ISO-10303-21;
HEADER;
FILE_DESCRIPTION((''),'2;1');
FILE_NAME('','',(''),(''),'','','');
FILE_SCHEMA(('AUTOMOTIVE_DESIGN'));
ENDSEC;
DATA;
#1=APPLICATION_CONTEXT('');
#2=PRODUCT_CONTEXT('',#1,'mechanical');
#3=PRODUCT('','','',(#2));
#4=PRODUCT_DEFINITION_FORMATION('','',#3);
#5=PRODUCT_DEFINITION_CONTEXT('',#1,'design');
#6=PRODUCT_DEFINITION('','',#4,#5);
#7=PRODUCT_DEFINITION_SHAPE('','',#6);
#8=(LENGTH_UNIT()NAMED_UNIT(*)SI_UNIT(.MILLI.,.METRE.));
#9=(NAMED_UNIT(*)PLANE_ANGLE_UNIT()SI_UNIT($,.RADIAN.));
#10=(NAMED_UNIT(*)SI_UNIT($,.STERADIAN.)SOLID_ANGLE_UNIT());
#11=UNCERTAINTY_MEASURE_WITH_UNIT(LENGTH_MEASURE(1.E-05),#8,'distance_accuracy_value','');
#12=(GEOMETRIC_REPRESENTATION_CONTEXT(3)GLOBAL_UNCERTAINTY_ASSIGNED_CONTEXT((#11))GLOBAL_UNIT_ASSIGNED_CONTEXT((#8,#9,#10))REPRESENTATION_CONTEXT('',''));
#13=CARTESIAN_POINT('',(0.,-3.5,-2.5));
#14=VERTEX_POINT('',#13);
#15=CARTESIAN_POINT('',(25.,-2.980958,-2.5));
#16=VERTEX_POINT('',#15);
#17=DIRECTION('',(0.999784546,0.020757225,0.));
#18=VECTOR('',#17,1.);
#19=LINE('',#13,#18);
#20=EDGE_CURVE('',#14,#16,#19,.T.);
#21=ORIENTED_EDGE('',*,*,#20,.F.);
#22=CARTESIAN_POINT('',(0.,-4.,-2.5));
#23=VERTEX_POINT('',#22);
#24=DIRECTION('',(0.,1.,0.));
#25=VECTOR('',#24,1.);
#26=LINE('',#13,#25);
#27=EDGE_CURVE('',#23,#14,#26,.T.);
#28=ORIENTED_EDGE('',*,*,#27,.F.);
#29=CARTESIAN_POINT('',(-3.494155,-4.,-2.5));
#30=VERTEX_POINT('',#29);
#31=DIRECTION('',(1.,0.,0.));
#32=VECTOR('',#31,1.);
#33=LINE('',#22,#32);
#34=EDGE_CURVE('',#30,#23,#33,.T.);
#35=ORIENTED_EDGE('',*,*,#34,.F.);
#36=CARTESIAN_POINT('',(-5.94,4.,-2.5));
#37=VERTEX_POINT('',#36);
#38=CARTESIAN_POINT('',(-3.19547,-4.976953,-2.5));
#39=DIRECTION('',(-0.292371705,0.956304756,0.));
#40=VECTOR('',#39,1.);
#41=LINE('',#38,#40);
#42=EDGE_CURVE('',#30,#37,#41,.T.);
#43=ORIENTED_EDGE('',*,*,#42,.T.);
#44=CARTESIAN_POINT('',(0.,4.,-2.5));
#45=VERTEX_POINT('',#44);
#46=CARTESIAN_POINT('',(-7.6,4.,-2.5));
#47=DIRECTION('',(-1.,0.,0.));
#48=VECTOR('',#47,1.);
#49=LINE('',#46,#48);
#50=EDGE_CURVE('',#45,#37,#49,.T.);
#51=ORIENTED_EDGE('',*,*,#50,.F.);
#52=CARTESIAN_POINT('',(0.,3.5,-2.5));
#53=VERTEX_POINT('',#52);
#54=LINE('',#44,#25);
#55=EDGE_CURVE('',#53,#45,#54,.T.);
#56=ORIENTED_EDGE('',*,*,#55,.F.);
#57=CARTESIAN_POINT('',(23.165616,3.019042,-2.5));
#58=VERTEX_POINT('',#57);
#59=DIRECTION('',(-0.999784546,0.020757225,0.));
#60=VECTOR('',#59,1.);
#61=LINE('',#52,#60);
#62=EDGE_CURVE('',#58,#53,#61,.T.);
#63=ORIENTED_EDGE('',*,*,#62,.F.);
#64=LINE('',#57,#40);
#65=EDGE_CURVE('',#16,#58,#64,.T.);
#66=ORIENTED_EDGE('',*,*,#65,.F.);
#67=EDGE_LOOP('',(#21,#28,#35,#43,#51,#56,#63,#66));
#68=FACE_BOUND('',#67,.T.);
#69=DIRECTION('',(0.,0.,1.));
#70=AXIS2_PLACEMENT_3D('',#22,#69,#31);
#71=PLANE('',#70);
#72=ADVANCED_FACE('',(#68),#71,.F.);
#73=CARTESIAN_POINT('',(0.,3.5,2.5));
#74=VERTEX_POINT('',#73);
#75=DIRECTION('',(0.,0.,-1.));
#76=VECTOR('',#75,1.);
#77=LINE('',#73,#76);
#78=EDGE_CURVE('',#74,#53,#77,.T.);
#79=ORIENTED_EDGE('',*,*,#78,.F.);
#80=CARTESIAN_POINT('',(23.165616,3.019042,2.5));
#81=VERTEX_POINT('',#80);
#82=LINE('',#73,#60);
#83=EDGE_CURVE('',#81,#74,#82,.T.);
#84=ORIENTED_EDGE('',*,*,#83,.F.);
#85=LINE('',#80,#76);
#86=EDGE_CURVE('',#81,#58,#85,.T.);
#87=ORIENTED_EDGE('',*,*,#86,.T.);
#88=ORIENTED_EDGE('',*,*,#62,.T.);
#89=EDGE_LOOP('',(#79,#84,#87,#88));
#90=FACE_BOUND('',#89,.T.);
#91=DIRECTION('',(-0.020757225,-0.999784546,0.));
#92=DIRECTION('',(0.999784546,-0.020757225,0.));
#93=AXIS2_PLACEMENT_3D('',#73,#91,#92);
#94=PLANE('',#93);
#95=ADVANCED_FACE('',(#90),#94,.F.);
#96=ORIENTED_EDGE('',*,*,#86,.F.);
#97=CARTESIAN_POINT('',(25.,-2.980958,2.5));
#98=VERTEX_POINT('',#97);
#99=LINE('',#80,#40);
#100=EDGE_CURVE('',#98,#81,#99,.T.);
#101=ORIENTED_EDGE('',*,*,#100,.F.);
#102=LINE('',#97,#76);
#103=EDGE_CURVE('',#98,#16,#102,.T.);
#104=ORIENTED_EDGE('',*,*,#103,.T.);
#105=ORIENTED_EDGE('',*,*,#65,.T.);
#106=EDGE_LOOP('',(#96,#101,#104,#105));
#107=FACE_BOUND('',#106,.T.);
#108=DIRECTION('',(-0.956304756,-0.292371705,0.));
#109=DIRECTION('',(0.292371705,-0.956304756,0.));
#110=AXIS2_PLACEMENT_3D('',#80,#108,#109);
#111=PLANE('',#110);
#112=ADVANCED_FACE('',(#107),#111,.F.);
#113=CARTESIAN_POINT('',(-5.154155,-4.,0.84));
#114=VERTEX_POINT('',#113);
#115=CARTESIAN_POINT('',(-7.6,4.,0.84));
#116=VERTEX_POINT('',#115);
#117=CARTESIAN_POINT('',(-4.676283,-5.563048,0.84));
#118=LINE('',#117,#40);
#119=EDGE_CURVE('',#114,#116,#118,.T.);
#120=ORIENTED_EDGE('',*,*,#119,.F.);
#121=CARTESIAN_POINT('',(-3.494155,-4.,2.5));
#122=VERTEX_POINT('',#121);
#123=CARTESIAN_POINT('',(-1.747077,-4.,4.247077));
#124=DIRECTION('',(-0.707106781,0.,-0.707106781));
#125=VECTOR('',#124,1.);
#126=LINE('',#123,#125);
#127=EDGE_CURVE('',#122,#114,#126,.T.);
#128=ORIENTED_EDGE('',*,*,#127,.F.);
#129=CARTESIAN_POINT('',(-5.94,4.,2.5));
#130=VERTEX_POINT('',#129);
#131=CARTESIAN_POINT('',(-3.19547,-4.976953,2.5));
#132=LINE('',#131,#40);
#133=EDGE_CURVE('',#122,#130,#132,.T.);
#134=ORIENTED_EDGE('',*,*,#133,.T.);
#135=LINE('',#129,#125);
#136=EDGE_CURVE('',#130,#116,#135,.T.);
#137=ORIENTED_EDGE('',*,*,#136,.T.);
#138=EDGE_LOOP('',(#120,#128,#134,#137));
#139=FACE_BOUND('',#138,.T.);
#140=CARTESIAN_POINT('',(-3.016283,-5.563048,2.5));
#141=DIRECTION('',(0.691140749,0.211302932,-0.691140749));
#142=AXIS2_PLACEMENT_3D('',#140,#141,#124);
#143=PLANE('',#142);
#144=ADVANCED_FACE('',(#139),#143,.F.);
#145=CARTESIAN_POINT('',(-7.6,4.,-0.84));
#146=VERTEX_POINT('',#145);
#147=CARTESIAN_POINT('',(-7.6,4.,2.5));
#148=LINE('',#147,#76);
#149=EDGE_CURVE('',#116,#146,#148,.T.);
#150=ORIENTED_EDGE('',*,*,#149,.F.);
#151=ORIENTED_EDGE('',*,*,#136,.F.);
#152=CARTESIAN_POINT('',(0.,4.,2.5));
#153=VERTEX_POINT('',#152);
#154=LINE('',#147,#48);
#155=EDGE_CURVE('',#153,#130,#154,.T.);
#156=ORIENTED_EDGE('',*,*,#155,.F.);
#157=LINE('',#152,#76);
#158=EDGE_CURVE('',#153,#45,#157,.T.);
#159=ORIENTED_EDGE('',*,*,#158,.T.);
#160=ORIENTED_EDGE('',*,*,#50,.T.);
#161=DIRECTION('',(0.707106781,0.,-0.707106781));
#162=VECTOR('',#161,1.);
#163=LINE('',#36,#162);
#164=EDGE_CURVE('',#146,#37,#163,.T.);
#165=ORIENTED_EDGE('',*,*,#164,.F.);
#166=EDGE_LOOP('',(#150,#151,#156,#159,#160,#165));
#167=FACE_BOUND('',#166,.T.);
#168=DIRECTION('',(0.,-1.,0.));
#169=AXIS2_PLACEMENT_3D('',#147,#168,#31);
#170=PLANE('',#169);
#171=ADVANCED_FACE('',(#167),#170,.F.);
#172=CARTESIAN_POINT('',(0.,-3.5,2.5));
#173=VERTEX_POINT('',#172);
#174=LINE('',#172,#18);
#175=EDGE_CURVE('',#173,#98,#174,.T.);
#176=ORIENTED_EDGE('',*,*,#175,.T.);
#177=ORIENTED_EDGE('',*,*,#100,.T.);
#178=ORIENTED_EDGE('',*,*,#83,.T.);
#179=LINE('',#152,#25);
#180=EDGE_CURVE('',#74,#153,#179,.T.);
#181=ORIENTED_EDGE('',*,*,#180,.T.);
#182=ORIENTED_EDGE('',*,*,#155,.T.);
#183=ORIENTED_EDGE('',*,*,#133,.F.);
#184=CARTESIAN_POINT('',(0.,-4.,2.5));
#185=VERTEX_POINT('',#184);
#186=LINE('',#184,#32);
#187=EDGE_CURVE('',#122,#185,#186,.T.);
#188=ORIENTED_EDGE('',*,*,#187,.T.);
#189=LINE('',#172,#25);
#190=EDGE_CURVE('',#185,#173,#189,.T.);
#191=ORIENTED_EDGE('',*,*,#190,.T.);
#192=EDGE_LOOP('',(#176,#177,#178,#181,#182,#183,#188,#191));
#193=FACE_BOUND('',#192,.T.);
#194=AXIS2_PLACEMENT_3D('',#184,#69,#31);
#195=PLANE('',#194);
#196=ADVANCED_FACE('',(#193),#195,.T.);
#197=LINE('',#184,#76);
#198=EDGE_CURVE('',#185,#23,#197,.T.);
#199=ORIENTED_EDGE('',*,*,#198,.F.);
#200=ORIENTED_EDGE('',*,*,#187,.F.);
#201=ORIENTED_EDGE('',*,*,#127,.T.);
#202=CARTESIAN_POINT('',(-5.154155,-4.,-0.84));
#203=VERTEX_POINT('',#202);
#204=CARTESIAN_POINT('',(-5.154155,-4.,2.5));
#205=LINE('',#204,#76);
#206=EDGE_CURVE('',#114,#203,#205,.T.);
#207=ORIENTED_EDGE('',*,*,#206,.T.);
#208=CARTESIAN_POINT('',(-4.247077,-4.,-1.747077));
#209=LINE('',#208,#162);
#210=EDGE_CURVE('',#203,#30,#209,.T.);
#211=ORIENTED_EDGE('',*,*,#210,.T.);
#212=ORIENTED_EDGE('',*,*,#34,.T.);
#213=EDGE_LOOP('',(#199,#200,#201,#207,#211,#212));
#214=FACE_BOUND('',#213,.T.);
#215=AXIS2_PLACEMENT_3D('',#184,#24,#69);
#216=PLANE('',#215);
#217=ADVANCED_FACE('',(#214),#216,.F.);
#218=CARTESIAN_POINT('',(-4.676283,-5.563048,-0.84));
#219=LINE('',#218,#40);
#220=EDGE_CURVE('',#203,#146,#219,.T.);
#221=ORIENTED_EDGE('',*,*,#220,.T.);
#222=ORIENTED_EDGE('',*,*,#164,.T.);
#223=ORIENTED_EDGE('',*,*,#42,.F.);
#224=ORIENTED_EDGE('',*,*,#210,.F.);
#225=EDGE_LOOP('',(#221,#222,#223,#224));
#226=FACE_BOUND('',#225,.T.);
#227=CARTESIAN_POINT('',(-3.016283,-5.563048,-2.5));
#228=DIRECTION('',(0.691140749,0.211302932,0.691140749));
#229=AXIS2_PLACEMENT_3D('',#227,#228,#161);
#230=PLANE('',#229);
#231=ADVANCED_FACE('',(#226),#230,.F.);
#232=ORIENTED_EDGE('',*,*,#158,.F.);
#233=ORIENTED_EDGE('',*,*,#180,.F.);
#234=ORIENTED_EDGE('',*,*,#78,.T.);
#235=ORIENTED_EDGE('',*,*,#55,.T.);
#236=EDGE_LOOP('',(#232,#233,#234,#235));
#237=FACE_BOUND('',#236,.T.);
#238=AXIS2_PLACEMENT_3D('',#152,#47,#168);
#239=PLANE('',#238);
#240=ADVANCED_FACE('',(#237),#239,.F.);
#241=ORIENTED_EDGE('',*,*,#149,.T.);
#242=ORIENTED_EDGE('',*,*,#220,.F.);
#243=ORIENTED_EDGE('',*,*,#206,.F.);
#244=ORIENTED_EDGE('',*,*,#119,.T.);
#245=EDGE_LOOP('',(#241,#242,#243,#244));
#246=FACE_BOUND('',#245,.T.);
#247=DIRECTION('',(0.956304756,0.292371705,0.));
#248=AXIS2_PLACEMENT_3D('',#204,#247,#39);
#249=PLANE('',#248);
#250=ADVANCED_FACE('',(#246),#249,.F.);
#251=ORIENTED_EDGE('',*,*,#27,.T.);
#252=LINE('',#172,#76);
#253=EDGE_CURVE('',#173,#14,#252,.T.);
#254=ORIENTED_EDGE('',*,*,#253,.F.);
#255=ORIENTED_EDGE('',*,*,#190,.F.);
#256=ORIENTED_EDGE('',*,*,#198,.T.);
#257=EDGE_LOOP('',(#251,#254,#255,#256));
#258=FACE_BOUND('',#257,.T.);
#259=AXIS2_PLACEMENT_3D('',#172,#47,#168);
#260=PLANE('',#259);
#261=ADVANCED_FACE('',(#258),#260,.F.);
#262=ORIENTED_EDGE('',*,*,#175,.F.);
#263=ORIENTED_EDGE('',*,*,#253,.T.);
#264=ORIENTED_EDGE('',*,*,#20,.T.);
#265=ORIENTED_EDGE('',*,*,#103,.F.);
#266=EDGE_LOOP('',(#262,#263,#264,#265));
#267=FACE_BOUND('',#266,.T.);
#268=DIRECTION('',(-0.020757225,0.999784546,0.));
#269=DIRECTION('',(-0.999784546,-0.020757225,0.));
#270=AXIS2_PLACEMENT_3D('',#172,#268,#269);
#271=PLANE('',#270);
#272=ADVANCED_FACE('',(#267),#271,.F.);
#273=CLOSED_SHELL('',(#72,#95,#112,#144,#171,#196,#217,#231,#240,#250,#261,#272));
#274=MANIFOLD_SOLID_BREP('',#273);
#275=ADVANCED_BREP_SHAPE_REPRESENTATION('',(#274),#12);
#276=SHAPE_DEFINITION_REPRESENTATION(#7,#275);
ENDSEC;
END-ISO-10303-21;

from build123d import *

# Parameters (mm, degrees)
BASE_EXTRUDE_DEPTH    = 2.5
CORTE_EXTRUS_O1_DEPTH = 10


with BuildPart() as part:
    # Sketch1 → Base-Extrude (new, symmetric)
    with BuildSketch(Plane.XY):
        Polygon((-5.154154548, -4), (-7.6, 4), (0, 4), (0, 3.5), (23.165615911, 3.019042465), (25, -2.980957535), (0, -3.5), (0, -4), align=None)
    extrude(amount=BASE_EXTRUDE_DEPTH, both=True)

    # Esboço1 → Corte-extrusão1 (cut, along a direction that is not the sketch's normal)
    with BuildSketch(Plane(origin=(0, 4, 0), x_dir=(1, 0, 0), z_dir=(0, 1, 0))):
        Polygon((-5.94, -2.5), (-7.6, -0.84), (-7.6, -2.5), align=None)
        Polygon((-5.94, 2.5), (-7.6, 0.84), (-7.6, 2.5), align=None)
    extrude(amount=-CORTE_EXTRUS_O1_DEPTH, dir=(-0.29237170472273044, 0.9563047559630375, 0), mode=Mode.SUBTRACT)


solid = part.part
